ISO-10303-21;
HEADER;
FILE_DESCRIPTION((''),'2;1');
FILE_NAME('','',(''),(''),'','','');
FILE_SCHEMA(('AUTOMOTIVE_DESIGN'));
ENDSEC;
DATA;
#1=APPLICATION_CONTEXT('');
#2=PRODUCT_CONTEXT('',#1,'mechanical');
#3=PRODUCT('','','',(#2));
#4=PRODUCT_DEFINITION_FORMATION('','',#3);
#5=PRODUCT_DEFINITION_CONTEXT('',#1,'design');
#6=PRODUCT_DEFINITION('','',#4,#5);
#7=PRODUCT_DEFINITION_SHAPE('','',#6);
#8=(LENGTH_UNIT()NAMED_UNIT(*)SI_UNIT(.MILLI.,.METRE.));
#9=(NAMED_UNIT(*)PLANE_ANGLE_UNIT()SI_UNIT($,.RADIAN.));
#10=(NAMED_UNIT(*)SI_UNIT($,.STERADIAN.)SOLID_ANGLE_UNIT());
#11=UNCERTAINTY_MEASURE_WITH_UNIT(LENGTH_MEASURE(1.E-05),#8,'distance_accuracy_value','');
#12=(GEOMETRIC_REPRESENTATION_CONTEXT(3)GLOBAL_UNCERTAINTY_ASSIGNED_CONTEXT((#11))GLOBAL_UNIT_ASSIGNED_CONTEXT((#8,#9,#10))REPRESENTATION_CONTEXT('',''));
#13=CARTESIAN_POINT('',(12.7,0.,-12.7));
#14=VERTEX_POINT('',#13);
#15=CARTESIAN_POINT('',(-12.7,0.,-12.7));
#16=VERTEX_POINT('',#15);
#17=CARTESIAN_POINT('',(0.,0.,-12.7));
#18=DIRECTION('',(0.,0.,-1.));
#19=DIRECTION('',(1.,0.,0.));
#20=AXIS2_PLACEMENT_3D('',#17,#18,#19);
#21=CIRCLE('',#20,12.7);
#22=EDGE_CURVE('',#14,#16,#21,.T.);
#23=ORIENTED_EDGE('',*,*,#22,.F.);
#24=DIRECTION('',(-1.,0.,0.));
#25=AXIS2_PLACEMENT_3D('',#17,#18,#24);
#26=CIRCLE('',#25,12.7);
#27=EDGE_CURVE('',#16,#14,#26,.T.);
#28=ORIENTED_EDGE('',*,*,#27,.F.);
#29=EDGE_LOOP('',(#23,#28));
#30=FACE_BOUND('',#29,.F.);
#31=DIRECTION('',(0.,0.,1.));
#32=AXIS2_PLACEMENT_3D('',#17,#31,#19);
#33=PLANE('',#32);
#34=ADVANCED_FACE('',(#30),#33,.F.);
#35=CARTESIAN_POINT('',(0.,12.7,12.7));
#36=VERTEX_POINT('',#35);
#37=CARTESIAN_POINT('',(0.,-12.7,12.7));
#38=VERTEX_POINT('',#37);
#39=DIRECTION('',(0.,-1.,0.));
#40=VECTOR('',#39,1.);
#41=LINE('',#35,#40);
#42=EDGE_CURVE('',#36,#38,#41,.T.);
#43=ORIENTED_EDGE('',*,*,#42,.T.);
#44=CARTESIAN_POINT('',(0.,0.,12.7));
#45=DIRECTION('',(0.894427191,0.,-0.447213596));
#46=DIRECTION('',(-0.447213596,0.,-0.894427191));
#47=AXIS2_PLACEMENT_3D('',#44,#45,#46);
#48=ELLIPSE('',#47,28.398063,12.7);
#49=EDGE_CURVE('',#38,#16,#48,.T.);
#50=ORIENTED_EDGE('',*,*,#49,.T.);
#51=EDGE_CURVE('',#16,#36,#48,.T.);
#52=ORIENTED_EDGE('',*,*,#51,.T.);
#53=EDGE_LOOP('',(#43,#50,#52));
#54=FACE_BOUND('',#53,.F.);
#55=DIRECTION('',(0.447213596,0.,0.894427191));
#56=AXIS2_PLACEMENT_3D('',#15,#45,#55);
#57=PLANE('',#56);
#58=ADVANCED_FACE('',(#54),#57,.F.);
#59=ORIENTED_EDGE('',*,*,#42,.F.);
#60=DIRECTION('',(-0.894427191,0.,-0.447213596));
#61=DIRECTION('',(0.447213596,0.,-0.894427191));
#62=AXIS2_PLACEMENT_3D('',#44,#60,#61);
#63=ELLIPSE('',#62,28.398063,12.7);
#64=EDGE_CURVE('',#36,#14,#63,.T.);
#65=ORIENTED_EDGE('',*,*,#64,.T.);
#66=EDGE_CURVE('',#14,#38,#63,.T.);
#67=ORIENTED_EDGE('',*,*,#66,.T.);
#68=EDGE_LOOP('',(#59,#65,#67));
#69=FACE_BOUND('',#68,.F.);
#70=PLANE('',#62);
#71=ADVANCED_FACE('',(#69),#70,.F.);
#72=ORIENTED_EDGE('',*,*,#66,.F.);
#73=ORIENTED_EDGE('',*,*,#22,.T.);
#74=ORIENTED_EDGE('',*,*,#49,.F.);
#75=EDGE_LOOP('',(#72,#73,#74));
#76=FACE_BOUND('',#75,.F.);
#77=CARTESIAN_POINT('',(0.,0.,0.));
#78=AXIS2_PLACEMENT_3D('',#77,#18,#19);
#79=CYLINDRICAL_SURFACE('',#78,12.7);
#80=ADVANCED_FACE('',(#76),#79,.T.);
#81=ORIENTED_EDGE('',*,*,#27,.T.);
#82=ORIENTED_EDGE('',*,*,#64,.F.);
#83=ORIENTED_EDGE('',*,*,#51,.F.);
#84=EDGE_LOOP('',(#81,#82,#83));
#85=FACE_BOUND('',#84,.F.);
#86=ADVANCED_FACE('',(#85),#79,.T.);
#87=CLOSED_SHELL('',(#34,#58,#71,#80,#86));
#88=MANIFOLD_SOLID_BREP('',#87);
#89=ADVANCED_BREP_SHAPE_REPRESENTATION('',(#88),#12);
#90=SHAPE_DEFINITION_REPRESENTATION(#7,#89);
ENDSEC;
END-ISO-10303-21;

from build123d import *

# Parameters (mm, degrees)
F0_W     = 25.4
F0_H     = 25.4
F1_DEPTH = 12.7
F3_DEPTH = 12.7
F4_R     = 26.692989
F4_R_2   = 12.7
F5_DEPTH = 12.7


with BuildPart() as f1:
    # F0 (on Top) → F1 (new body, symmetric)
    with BuildSketch(Plane.XY):
        Rectangle(F0_W, F0_H)
    extrude(amount=F1_DEPTH, both=True)

    # F2 (on Front) → F3 (cut, symmetric)
    with BuildSketch(Plane.XZ):
        Polygon((-12.7, -12.7), (0, 12.7), (12.7, -12.7), (26.629834, -12.7), (26.629834, 23.978902), (-32.895677, 23.978902), (-32.895677, -12.7), align=None)
    extrude(amount=F3_DEPTH, both=True, mode=Mode.SUBTRACT)

    # F4 (on Top) → F5 (cut, symmetric)
    with BuildSketch(Plane.XY):
        Circle(F4_R)
        Circle(F4_R_2, mode=Mode.SUBTRACT)
    extrude(amount=F5_DEPTH, both=True, mode=Mode.SUBTRACT)


solid = f1.part
